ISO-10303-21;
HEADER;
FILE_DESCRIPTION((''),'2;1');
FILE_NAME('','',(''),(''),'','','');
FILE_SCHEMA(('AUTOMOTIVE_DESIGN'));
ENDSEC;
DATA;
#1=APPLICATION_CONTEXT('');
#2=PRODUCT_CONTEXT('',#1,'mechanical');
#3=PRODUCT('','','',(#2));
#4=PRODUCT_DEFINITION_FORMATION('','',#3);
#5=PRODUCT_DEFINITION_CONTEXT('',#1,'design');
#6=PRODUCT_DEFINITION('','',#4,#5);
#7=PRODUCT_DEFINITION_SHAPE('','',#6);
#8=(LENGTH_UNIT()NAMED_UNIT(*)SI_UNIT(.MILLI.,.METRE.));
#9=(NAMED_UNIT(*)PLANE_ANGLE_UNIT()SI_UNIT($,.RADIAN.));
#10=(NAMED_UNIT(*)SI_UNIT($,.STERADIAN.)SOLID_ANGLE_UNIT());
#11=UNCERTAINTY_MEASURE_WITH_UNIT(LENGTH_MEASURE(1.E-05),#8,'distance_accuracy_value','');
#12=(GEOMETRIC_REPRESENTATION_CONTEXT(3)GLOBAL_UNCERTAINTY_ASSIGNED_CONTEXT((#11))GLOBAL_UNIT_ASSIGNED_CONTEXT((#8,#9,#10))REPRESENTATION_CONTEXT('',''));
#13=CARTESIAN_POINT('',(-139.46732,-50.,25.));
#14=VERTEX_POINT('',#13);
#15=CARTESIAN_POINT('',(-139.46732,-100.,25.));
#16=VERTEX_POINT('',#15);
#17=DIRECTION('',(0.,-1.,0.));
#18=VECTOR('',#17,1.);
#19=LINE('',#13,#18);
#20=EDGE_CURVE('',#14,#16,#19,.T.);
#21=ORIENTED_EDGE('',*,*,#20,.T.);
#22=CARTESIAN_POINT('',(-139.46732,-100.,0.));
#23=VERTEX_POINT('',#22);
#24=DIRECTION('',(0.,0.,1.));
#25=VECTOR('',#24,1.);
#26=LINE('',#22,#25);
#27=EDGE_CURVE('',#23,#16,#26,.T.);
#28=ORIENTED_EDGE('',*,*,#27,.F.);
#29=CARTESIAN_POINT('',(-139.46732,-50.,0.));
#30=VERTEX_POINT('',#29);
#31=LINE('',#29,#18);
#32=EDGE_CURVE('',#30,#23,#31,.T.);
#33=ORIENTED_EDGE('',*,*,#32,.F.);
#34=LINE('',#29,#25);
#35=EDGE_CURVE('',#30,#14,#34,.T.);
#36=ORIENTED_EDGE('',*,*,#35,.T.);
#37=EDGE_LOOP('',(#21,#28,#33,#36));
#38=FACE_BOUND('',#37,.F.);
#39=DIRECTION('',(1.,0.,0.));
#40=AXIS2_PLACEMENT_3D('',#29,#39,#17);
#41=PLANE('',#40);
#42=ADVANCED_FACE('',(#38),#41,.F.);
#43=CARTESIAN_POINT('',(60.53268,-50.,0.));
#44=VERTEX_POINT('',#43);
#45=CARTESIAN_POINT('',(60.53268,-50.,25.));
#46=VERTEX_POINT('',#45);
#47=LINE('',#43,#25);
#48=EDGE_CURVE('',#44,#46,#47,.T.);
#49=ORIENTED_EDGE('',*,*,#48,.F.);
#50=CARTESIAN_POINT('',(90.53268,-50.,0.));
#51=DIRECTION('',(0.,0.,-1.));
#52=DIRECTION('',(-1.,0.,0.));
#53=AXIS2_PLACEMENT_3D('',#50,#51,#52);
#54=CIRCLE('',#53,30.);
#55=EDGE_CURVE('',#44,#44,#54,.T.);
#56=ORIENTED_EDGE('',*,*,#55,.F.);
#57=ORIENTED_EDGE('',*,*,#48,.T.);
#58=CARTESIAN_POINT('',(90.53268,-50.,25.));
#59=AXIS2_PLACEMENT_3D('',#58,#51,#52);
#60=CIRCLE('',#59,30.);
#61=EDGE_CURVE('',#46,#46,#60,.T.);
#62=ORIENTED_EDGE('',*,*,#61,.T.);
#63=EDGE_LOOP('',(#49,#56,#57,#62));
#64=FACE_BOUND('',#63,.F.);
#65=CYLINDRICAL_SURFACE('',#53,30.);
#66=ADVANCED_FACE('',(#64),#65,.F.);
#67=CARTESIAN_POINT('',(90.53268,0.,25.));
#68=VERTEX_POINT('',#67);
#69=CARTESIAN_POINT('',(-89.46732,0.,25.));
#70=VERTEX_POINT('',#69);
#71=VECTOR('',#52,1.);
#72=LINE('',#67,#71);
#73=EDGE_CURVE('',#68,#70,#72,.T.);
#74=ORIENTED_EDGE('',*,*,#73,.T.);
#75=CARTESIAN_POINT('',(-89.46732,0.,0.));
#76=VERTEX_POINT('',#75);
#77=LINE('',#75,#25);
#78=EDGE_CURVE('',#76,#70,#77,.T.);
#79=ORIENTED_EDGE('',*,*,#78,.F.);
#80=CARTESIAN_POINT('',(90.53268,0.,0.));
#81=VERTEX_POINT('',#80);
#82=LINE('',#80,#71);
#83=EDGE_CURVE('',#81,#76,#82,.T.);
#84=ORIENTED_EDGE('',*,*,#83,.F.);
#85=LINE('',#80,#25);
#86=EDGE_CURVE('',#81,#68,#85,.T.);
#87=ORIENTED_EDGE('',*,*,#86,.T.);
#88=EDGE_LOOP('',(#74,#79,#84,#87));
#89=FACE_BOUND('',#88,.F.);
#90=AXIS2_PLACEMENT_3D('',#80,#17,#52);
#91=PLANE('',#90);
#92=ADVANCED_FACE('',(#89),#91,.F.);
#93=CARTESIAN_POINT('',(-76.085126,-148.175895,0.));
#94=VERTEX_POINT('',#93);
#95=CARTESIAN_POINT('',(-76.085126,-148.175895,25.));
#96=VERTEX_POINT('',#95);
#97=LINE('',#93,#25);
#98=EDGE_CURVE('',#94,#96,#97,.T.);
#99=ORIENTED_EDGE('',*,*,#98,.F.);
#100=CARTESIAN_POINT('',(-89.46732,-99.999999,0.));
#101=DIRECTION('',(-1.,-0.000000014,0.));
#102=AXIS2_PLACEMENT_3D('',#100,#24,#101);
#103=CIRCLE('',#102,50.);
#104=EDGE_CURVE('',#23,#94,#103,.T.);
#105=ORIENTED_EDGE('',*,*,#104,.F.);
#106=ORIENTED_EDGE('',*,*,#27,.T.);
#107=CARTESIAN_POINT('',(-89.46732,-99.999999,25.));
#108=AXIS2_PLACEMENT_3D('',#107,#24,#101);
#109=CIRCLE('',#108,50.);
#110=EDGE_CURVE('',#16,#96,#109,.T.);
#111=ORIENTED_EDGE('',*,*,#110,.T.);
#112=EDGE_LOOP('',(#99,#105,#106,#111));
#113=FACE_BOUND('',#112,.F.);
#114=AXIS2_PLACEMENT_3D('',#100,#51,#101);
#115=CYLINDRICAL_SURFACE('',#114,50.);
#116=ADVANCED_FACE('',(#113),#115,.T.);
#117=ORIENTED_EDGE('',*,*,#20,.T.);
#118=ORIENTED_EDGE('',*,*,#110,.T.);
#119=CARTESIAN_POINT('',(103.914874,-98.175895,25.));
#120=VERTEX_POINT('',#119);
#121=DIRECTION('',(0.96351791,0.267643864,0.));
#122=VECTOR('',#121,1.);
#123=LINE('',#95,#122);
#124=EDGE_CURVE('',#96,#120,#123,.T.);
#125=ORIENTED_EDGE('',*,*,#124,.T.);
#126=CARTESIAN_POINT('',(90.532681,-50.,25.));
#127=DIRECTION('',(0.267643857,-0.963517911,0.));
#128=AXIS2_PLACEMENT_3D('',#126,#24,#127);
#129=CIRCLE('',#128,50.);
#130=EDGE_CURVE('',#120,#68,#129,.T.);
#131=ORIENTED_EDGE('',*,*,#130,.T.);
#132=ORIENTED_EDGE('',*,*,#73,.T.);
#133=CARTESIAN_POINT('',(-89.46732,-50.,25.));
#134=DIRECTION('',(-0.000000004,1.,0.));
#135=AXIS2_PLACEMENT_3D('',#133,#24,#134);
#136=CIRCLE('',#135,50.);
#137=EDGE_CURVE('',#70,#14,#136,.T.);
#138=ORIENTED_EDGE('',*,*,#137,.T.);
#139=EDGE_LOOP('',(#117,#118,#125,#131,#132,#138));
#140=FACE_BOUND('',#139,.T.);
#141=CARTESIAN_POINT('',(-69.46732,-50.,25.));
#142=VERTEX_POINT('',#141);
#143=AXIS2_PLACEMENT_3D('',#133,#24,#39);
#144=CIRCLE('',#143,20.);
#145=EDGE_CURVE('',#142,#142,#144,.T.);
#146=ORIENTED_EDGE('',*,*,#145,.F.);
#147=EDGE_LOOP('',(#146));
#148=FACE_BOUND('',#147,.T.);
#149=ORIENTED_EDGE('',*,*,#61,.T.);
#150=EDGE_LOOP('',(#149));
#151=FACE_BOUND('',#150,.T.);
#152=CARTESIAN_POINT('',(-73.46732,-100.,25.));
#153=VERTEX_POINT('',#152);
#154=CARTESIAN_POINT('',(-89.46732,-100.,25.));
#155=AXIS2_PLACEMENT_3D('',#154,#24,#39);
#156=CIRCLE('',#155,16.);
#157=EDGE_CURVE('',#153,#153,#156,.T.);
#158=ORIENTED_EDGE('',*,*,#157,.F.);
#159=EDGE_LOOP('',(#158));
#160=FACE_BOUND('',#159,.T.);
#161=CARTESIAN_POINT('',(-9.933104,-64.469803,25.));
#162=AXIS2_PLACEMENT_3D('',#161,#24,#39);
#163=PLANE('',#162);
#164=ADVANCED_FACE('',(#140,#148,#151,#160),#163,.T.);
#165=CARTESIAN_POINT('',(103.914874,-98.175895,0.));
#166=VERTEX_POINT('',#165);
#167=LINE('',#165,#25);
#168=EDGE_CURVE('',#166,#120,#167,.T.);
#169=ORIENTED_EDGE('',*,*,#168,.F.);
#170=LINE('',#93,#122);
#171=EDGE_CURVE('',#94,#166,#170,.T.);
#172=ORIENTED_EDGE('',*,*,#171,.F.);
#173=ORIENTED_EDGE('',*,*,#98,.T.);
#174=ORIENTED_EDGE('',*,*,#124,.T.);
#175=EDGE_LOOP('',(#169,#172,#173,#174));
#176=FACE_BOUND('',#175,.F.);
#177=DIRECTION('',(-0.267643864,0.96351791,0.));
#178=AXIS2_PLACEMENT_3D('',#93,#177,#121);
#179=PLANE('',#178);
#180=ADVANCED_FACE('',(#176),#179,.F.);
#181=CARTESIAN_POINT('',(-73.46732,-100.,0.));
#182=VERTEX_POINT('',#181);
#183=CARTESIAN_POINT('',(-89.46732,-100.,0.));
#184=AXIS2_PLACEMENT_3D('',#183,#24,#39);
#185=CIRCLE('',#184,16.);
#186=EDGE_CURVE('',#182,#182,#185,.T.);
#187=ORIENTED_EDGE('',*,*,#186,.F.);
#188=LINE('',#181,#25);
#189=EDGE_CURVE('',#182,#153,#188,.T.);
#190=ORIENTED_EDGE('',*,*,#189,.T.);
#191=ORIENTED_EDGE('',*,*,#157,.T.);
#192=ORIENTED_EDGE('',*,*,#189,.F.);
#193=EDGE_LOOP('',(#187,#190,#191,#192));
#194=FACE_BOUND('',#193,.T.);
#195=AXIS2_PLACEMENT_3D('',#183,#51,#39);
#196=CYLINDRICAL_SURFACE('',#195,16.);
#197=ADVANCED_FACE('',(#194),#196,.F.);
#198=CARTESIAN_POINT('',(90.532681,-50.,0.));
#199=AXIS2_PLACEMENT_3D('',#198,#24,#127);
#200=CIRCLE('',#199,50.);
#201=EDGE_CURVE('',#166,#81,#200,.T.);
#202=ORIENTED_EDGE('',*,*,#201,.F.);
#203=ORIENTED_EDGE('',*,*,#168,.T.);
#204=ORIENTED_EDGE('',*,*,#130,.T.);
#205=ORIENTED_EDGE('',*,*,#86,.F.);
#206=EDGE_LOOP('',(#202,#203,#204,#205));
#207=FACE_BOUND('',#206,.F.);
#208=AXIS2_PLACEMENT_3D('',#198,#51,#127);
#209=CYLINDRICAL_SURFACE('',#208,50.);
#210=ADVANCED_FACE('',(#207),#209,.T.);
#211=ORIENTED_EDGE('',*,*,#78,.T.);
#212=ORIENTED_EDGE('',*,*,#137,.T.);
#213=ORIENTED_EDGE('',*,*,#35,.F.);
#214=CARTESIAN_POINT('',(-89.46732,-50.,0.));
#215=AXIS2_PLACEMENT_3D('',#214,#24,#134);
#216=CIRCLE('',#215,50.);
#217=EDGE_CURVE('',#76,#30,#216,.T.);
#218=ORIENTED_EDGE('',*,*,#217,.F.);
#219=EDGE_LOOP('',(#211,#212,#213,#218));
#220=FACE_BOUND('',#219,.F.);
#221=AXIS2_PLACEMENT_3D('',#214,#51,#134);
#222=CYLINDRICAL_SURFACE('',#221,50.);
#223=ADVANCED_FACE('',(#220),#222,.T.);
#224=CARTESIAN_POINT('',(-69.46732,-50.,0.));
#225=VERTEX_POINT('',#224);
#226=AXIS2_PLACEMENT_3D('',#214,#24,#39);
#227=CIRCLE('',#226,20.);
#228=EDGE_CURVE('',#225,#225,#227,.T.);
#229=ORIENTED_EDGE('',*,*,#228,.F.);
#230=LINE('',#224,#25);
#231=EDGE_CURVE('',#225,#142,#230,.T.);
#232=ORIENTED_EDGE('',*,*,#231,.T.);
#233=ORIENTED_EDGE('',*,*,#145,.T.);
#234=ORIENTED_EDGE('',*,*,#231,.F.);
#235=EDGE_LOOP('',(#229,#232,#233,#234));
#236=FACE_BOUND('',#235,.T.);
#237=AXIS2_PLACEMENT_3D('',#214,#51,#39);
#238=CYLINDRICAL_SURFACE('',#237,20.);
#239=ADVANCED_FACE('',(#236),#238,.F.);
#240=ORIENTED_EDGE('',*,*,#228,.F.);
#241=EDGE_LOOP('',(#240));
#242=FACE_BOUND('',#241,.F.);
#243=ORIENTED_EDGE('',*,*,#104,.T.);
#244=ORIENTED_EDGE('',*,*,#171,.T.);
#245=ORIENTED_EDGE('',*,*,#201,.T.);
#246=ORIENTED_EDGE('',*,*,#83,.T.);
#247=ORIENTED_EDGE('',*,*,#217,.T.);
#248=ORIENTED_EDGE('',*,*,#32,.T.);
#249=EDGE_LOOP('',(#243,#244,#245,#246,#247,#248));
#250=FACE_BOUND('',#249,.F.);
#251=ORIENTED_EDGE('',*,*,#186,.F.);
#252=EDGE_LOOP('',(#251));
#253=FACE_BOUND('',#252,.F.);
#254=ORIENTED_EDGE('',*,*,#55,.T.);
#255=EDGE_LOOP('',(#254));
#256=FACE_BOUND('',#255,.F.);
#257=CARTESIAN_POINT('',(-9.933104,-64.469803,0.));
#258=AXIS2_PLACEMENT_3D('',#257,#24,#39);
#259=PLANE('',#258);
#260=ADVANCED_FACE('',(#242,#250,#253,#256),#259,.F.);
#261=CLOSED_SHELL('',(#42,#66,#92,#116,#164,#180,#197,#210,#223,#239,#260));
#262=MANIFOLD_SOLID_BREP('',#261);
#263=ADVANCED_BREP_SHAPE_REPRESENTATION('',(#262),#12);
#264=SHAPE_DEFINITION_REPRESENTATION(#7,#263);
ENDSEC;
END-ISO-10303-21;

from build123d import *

# Parameters (mm, degrees)
F0_R     = 16
F0_R_2   = 20
F1_DEPTH = 25


with BuildPart() as f1:
    # F0 (on Top) → F1 (new body)
    with BuildSketch(Plane.XY):
        with BuildLine():
            Line((90.53268, 0), (-89.46732, 0))
            ThreePointArc((-89.46732, 0), (-124.822659, -14.644661), (-139.46732, -50))
            Line((-139.46732, -50), (-139.46732, -100))
            ThreePointArc((-139.46732, -100), (-119.723644, -139.806467), (-76.085126, -148.175895))
            Line((-76.085126, -148.175895), (103.914874, -98.175895))
            ThreePointArc((103.914874, -98.175895), (140.074556, -43.247029), (90.53268, 0))
        make_face()
        with Locations((-89.46732, -100)):
            Circle(F0_R, mode=Mode.SUBTRACT)
        with Locations((-89.46732, -50)):
            Circle(F0_R_2, mode=Mode.SUBTRACT)
        with BuildLine():
            ThreePointArc((120.53268, -50), (90.53268, -80), (60.53268, -50))
            ThreePointArc((60.53268, -50), (90.53268, -20), (120.53268, -50))
        make_face(mode=Mode.SUBTRACT)
    extrude(amount=F1_DEPTH)


solid = f1.part
